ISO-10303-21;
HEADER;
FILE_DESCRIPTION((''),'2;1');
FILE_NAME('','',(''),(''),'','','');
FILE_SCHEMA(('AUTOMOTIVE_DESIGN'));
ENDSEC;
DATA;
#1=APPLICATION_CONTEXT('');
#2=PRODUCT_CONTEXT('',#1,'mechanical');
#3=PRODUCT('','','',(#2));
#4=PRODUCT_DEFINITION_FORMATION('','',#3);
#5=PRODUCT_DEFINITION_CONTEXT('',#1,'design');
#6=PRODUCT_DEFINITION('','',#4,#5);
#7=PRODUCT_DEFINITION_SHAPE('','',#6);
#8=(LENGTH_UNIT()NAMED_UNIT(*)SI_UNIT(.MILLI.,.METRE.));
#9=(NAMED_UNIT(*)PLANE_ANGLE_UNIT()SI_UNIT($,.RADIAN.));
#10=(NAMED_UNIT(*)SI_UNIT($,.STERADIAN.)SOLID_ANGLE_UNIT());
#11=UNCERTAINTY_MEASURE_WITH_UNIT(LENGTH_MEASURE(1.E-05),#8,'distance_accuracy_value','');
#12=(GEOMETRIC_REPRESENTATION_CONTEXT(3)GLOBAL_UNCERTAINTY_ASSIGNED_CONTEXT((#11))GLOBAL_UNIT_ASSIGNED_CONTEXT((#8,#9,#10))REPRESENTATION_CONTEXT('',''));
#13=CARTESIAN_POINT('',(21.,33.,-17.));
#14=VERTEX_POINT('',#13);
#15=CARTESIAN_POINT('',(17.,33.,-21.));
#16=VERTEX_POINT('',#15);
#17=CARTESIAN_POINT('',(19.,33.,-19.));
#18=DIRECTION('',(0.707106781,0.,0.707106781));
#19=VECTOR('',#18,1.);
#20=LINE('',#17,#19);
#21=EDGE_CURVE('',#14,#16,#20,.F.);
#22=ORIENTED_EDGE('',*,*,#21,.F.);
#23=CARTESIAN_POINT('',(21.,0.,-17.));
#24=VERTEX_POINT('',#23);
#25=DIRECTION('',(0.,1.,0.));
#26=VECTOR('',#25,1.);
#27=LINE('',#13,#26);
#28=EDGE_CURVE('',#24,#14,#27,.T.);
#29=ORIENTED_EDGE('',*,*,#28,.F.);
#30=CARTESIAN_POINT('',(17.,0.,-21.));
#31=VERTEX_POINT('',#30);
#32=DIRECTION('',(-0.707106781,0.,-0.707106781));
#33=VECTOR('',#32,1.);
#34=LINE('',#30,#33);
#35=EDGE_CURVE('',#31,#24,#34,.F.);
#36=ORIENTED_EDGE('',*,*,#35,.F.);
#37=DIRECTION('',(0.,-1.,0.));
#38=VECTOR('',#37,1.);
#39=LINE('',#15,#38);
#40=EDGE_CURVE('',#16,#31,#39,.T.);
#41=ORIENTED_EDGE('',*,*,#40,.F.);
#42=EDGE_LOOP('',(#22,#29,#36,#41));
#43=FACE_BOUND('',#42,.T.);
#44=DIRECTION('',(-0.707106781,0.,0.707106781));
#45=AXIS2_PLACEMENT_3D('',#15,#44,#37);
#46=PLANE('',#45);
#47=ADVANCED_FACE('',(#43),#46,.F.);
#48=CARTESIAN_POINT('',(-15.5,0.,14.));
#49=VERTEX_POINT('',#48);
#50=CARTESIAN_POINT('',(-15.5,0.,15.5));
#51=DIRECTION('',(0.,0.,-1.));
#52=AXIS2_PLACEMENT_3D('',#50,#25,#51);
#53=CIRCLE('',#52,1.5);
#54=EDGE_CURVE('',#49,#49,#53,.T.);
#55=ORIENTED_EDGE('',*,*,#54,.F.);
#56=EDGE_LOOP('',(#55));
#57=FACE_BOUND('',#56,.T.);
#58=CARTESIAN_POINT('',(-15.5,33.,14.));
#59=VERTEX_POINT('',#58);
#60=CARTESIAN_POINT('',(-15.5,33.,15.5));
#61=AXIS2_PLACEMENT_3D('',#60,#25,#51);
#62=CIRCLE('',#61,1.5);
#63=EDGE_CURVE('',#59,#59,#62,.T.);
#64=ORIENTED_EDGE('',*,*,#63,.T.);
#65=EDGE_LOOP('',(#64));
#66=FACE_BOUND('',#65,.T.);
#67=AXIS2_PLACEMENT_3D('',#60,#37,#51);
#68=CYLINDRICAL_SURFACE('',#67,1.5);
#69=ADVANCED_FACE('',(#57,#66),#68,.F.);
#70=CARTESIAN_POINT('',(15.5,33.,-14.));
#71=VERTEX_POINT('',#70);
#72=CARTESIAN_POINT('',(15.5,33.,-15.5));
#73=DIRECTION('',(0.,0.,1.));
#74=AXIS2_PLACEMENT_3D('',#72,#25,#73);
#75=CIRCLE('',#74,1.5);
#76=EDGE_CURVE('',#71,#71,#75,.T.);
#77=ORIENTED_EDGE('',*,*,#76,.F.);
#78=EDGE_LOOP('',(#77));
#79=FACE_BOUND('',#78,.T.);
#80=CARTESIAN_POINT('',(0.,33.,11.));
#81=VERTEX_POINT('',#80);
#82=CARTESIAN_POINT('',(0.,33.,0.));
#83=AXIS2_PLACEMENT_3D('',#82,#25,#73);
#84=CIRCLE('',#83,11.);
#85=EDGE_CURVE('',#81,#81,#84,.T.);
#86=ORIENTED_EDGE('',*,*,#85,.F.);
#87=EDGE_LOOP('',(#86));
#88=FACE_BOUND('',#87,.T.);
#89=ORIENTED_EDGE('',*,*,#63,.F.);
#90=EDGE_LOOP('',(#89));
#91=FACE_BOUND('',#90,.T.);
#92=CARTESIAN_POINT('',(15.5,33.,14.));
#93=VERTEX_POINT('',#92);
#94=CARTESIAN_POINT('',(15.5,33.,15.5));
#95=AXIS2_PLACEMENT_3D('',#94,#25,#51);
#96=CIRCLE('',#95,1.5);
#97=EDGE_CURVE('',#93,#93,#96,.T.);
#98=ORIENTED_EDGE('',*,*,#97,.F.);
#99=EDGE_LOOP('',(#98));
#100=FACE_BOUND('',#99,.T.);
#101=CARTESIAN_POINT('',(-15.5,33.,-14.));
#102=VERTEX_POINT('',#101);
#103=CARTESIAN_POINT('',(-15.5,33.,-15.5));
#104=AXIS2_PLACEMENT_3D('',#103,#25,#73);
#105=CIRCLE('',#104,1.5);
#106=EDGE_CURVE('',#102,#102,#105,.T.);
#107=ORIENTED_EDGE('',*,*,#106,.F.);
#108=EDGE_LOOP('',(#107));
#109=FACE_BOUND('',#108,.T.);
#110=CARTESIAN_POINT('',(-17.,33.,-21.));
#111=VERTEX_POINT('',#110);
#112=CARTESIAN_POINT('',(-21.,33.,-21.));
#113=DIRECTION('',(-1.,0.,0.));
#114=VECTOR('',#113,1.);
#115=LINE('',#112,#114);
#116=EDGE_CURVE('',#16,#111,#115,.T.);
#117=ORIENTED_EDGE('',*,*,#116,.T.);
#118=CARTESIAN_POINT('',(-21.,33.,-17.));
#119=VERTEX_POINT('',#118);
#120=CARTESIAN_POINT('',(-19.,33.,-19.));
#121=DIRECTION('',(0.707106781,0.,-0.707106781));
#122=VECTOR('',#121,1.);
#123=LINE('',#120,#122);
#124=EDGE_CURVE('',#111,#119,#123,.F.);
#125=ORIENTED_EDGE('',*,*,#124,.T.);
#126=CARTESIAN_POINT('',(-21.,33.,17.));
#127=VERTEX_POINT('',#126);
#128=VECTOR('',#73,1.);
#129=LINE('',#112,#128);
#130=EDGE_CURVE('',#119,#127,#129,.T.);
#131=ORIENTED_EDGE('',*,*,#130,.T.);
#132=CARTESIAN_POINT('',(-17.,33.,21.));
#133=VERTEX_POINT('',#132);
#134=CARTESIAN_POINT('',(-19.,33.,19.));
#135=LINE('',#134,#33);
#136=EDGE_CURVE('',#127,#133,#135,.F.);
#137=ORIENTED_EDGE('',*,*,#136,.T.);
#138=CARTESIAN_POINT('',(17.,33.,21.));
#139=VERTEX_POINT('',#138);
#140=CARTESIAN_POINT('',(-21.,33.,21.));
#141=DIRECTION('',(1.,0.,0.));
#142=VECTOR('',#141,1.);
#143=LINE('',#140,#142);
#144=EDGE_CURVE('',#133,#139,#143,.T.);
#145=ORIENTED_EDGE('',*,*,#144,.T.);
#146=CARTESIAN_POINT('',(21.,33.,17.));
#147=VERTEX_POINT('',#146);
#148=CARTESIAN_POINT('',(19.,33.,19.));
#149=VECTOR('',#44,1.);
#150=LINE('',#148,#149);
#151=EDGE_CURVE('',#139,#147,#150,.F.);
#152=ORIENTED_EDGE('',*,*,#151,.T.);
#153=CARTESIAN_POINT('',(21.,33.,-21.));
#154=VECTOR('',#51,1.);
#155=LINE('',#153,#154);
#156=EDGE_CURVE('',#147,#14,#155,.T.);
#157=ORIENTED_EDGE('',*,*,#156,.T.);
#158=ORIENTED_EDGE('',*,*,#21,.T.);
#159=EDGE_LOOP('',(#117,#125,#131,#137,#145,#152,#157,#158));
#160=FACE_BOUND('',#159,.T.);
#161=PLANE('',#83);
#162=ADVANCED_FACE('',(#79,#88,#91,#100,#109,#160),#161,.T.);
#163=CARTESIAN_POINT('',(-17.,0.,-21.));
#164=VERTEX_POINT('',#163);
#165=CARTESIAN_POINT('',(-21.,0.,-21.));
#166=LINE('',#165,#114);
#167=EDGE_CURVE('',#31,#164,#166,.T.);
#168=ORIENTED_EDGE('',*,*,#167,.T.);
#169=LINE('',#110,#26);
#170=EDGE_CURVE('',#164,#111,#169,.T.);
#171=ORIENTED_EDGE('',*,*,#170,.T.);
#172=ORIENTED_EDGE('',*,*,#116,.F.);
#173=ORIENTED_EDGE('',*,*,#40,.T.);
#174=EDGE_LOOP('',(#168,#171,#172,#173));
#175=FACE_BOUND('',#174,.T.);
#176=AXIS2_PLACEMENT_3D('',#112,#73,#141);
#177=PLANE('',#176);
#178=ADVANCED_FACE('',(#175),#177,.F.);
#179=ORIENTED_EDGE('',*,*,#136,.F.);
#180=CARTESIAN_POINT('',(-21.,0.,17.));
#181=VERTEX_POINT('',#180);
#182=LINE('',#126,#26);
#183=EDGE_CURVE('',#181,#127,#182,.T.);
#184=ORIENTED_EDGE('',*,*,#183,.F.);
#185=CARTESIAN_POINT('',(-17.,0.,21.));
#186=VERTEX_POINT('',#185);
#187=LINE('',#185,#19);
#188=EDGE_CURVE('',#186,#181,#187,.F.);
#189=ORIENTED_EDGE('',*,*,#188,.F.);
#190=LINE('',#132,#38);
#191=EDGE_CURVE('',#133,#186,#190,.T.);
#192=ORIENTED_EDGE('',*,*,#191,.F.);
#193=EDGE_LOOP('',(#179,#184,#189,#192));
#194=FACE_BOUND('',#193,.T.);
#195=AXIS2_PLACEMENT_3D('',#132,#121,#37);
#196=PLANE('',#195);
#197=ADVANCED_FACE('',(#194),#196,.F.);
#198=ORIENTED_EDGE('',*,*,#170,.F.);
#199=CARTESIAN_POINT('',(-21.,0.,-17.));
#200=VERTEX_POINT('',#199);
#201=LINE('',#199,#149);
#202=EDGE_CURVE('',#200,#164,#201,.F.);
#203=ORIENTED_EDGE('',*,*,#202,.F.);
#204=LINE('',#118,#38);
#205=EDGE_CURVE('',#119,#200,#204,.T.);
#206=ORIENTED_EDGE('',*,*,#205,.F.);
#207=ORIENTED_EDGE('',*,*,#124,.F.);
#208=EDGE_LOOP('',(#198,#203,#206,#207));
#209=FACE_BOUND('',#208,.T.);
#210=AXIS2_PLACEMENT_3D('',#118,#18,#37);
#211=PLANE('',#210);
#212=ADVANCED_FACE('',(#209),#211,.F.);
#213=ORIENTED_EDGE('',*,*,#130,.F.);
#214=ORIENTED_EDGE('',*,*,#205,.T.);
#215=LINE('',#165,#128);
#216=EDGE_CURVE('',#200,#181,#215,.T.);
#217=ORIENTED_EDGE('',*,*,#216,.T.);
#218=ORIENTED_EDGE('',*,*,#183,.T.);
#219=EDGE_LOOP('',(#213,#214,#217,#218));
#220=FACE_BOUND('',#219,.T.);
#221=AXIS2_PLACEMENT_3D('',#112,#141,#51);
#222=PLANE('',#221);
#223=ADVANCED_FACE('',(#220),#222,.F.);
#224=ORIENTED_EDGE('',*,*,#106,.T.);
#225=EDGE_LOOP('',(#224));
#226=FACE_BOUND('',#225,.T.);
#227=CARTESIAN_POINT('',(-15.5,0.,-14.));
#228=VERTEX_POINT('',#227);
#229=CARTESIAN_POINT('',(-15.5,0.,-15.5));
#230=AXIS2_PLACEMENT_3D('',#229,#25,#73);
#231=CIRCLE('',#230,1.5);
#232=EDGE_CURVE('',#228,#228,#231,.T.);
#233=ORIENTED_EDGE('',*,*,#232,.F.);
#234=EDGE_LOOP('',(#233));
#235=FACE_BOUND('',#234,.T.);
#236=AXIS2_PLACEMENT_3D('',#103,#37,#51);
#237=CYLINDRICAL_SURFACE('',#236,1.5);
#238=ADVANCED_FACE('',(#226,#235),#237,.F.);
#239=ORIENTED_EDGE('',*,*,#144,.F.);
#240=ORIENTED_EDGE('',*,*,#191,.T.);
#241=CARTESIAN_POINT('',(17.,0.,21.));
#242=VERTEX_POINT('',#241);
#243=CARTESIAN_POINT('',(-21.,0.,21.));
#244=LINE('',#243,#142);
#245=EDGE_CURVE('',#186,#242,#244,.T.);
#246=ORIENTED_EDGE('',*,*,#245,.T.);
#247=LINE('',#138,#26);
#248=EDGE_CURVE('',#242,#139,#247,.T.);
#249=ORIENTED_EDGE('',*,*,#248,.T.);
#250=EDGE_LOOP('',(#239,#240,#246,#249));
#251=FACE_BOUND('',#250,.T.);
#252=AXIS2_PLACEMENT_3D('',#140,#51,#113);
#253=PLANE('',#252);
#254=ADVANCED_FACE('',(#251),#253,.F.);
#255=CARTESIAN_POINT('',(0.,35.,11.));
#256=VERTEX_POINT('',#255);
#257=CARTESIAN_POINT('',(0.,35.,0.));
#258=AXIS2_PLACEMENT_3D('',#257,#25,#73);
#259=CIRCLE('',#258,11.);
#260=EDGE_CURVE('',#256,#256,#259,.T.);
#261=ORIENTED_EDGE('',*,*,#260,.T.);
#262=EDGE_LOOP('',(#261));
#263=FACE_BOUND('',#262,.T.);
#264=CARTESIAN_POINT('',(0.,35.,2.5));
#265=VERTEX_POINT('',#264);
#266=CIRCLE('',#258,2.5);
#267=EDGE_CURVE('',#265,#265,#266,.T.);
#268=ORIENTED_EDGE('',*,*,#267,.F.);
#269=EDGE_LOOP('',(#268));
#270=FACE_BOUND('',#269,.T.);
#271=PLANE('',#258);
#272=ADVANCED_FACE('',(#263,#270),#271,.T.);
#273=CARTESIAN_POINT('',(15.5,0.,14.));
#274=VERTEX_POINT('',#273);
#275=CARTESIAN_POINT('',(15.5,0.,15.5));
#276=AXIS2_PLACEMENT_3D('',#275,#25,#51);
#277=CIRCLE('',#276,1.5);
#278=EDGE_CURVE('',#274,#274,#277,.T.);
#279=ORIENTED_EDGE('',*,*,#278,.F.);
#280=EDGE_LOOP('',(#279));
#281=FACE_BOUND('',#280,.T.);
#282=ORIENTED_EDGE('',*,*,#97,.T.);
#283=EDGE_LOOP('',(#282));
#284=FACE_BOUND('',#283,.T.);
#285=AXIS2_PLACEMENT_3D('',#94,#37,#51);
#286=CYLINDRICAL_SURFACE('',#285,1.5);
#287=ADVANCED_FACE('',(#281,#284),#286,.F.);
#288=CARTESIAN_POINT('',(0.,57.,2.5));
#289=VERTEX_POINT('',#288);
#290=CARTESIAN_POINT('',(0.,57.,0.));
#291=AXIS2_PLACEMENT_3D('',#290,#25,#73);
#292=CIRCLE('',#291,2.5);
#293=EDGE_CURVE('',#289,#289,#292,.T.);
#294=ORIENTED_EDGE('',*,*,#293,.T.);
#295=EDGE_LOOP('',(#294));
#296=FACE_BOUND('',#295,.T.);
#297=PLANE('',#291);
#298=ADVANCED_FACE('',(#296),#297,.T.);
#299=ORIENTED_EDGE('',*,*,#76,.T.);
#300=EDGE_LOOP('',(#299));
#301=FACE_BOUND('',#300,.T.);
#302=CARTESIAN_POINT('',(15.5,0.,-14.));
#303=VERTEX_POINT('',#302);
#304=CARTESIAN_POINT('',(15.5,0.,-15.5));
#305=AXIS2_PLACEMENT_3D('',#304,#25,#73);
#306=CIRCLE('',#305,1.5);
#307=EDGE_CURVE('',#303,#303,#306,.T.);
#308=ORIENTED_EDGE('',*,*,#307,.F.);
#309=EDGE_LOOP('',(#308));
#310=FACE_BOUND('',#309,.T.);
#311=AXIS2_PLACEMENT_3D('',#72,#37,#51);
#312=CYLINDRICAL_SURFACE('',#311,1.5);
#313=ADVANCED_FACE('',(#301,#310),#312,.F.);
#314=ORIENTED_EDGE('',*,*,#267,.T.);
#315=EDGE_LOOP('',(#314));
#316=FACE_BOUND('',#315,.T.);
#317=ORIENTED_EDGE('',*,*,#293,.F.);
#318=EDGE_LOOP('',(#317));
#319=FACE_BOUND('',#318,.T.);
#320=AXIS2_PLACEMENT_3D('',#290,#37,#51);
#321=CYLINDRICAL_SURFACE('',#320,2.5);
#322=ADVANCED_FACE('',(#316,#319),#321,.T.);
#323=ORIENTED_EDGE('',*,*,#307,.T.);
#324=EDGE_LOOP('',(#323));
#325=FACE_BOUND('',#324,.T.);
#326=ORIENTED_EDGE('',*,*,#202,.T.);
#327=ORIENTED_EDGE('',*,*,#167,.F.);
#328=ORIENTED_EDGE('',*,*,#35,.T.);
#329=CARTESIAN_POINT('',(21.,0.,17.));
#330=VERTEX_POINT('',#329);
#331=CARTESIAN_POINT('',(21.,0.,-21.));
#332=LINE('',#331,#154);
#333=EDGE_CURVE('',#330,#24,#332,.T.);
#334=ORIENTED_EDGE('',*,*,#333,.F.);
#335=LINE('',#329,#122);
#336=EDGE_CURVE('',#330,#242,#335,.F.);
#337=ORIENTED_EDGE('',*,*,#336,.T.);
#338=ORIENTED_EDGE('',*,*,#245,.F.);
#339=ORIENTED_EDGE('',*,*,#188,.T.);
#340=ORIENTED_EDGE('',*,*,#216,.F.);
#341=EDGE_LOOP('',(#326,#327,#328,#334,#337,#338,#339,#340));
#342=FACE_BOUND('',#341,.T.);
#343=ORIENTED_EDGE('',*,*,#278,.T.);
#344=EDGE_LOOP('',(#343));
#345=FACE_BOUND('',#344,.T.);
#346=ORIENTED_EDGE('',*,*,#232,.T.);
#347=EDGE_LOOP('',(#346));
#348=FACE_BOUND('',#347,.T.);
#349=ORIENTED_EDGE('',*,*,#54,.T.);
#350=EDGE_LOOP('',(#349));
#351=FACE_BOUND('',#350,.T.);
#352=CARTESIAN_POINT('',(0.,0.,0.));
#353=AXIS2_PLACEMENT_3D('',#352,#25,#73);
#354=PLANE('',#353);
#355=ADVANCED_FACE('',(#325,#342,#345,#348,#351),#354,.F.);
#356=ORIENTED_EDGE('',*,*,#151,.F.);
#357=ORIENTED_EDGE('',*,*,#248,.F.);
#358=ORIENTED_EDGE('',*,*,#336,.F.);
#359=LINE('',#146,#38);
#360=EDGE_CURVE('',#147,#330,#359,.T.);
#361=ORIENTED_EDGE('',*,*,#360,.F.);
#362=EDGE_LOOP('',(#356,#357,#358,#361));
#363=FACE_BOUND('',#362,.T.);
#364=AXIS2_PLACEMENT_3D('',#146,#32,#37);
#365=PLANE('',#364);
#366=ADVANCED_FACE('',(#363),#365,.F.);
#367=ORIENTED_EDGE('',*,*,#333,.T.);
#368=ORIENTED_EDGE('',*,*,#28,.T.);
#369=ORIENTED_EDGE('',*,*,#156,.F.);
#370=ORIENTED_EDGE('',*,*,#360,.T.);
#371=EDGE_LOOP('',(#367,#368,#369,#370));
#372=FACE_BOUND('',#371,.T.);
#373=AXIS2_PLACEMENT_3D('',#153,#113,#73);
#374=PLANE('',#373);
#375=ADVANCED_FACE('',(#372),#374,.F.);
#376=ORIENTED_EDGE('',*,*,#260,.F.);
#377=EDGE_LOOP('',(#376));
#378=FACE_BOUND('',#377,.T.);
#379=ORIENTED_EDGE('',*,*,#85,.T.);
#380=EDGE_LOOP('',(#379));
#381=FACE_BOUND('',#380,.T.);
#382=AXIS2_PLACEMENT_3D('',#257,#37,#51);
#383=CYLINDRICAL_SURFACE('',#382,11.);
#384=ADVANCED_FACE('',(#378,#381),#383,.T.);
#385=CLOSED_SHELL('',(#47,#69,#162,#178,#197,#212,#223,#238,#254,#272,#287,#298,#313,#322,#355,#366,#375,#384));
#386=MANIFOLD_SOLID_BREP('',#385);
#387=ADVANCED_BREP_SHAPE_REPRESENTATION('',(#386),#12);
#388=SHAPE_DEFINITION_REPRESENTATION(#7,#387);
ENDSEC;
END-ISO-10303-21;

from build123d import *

# Parameters (mm, degrees)
SKETCH1_W           = 42
SKETCH1_H           = 42
SKETCH1_R           = 1.5
BOSS_EXTRUDE1_DEPTH = 33
CHAMFER1_SIZE       = 4
SKETCH2_R           = 11
BOSS_EXTRUDE2_DEPTH = 2
SKETCH3_R           = 2.5
BOSS_EXTRUDE3_DEPTH = 22


with BuildPart() as part:
    # Sketch1 → Boss-Extrude1 (new body)
    with BuildSketch(Plane(origin=(0, 0, 0), x_dir=(1, 0, 0), z_dir=(0, 1, 0))):
        Rectangle(SKETCH1_W, SKETCH1_H)
        with Locations(Location((15.5, 15.5, 0), (0, 0, 270))):
            Circle(SKETCH1_R, mode=Mode.SUBTRACT)
        with Locations(Location((-15.5, 15.5, 0), (0, 0, 270))):
            Circle(SKETCH1_R, mode=Mode.SUBTRACT)
        with Locations(Location((15.5, -15.5, 0), (0, 0, 90))):
            Circle(SKETCH1_R, mode=Mode.SUBTRACT)
        with Locations(Location((-15.5, -15.5, 0), (0, 0, 90))):
            Circle(SKETCH1_R, mode=Mode.SUBTRACT)
    extrude(amount=BOSS_EXTRUDE1_DEPTH)

    # Chamfer1
    chamfer1_edges = [part.edges().sort_by_distance(p)[0] for p in [
        (21, 16.5, 21),
        (-21, 16.5, 21),
        (-21, 16.5, -21),
        (21, 16.5, -21),
    ]]
    chamfer(chamfer1_edges, length=CHAMFER1_SIZE)

    # Sketch2 → Boss-Extrude2 (add)
    with BuildSketch(Plane(origin=(0, 33, 0), x_dir=(1, 0, 0), z_dir=(0, 1, 0))):
        with Locations(Location((0, 0, 0), (0, 0, 270))):
            Circle(SKETCH2_R)
    extrude(amount=BOSS_EXTRUDE2_DEPTH)

    # Sketch3 → Boss-Extrude3 (add)
    with BuildSketch(Plane(origin=(0, 35, 0), x_dir=(1, 0, 0), z_dir=(0, 1, 0))):
        with Locations(Location((0, 0, 0), (0, 0, 270))):
            Circle(SKETCH3_R)
    extrude(amount=BOSS_EXTRUDE3_DEPTH)


solid = part.part
